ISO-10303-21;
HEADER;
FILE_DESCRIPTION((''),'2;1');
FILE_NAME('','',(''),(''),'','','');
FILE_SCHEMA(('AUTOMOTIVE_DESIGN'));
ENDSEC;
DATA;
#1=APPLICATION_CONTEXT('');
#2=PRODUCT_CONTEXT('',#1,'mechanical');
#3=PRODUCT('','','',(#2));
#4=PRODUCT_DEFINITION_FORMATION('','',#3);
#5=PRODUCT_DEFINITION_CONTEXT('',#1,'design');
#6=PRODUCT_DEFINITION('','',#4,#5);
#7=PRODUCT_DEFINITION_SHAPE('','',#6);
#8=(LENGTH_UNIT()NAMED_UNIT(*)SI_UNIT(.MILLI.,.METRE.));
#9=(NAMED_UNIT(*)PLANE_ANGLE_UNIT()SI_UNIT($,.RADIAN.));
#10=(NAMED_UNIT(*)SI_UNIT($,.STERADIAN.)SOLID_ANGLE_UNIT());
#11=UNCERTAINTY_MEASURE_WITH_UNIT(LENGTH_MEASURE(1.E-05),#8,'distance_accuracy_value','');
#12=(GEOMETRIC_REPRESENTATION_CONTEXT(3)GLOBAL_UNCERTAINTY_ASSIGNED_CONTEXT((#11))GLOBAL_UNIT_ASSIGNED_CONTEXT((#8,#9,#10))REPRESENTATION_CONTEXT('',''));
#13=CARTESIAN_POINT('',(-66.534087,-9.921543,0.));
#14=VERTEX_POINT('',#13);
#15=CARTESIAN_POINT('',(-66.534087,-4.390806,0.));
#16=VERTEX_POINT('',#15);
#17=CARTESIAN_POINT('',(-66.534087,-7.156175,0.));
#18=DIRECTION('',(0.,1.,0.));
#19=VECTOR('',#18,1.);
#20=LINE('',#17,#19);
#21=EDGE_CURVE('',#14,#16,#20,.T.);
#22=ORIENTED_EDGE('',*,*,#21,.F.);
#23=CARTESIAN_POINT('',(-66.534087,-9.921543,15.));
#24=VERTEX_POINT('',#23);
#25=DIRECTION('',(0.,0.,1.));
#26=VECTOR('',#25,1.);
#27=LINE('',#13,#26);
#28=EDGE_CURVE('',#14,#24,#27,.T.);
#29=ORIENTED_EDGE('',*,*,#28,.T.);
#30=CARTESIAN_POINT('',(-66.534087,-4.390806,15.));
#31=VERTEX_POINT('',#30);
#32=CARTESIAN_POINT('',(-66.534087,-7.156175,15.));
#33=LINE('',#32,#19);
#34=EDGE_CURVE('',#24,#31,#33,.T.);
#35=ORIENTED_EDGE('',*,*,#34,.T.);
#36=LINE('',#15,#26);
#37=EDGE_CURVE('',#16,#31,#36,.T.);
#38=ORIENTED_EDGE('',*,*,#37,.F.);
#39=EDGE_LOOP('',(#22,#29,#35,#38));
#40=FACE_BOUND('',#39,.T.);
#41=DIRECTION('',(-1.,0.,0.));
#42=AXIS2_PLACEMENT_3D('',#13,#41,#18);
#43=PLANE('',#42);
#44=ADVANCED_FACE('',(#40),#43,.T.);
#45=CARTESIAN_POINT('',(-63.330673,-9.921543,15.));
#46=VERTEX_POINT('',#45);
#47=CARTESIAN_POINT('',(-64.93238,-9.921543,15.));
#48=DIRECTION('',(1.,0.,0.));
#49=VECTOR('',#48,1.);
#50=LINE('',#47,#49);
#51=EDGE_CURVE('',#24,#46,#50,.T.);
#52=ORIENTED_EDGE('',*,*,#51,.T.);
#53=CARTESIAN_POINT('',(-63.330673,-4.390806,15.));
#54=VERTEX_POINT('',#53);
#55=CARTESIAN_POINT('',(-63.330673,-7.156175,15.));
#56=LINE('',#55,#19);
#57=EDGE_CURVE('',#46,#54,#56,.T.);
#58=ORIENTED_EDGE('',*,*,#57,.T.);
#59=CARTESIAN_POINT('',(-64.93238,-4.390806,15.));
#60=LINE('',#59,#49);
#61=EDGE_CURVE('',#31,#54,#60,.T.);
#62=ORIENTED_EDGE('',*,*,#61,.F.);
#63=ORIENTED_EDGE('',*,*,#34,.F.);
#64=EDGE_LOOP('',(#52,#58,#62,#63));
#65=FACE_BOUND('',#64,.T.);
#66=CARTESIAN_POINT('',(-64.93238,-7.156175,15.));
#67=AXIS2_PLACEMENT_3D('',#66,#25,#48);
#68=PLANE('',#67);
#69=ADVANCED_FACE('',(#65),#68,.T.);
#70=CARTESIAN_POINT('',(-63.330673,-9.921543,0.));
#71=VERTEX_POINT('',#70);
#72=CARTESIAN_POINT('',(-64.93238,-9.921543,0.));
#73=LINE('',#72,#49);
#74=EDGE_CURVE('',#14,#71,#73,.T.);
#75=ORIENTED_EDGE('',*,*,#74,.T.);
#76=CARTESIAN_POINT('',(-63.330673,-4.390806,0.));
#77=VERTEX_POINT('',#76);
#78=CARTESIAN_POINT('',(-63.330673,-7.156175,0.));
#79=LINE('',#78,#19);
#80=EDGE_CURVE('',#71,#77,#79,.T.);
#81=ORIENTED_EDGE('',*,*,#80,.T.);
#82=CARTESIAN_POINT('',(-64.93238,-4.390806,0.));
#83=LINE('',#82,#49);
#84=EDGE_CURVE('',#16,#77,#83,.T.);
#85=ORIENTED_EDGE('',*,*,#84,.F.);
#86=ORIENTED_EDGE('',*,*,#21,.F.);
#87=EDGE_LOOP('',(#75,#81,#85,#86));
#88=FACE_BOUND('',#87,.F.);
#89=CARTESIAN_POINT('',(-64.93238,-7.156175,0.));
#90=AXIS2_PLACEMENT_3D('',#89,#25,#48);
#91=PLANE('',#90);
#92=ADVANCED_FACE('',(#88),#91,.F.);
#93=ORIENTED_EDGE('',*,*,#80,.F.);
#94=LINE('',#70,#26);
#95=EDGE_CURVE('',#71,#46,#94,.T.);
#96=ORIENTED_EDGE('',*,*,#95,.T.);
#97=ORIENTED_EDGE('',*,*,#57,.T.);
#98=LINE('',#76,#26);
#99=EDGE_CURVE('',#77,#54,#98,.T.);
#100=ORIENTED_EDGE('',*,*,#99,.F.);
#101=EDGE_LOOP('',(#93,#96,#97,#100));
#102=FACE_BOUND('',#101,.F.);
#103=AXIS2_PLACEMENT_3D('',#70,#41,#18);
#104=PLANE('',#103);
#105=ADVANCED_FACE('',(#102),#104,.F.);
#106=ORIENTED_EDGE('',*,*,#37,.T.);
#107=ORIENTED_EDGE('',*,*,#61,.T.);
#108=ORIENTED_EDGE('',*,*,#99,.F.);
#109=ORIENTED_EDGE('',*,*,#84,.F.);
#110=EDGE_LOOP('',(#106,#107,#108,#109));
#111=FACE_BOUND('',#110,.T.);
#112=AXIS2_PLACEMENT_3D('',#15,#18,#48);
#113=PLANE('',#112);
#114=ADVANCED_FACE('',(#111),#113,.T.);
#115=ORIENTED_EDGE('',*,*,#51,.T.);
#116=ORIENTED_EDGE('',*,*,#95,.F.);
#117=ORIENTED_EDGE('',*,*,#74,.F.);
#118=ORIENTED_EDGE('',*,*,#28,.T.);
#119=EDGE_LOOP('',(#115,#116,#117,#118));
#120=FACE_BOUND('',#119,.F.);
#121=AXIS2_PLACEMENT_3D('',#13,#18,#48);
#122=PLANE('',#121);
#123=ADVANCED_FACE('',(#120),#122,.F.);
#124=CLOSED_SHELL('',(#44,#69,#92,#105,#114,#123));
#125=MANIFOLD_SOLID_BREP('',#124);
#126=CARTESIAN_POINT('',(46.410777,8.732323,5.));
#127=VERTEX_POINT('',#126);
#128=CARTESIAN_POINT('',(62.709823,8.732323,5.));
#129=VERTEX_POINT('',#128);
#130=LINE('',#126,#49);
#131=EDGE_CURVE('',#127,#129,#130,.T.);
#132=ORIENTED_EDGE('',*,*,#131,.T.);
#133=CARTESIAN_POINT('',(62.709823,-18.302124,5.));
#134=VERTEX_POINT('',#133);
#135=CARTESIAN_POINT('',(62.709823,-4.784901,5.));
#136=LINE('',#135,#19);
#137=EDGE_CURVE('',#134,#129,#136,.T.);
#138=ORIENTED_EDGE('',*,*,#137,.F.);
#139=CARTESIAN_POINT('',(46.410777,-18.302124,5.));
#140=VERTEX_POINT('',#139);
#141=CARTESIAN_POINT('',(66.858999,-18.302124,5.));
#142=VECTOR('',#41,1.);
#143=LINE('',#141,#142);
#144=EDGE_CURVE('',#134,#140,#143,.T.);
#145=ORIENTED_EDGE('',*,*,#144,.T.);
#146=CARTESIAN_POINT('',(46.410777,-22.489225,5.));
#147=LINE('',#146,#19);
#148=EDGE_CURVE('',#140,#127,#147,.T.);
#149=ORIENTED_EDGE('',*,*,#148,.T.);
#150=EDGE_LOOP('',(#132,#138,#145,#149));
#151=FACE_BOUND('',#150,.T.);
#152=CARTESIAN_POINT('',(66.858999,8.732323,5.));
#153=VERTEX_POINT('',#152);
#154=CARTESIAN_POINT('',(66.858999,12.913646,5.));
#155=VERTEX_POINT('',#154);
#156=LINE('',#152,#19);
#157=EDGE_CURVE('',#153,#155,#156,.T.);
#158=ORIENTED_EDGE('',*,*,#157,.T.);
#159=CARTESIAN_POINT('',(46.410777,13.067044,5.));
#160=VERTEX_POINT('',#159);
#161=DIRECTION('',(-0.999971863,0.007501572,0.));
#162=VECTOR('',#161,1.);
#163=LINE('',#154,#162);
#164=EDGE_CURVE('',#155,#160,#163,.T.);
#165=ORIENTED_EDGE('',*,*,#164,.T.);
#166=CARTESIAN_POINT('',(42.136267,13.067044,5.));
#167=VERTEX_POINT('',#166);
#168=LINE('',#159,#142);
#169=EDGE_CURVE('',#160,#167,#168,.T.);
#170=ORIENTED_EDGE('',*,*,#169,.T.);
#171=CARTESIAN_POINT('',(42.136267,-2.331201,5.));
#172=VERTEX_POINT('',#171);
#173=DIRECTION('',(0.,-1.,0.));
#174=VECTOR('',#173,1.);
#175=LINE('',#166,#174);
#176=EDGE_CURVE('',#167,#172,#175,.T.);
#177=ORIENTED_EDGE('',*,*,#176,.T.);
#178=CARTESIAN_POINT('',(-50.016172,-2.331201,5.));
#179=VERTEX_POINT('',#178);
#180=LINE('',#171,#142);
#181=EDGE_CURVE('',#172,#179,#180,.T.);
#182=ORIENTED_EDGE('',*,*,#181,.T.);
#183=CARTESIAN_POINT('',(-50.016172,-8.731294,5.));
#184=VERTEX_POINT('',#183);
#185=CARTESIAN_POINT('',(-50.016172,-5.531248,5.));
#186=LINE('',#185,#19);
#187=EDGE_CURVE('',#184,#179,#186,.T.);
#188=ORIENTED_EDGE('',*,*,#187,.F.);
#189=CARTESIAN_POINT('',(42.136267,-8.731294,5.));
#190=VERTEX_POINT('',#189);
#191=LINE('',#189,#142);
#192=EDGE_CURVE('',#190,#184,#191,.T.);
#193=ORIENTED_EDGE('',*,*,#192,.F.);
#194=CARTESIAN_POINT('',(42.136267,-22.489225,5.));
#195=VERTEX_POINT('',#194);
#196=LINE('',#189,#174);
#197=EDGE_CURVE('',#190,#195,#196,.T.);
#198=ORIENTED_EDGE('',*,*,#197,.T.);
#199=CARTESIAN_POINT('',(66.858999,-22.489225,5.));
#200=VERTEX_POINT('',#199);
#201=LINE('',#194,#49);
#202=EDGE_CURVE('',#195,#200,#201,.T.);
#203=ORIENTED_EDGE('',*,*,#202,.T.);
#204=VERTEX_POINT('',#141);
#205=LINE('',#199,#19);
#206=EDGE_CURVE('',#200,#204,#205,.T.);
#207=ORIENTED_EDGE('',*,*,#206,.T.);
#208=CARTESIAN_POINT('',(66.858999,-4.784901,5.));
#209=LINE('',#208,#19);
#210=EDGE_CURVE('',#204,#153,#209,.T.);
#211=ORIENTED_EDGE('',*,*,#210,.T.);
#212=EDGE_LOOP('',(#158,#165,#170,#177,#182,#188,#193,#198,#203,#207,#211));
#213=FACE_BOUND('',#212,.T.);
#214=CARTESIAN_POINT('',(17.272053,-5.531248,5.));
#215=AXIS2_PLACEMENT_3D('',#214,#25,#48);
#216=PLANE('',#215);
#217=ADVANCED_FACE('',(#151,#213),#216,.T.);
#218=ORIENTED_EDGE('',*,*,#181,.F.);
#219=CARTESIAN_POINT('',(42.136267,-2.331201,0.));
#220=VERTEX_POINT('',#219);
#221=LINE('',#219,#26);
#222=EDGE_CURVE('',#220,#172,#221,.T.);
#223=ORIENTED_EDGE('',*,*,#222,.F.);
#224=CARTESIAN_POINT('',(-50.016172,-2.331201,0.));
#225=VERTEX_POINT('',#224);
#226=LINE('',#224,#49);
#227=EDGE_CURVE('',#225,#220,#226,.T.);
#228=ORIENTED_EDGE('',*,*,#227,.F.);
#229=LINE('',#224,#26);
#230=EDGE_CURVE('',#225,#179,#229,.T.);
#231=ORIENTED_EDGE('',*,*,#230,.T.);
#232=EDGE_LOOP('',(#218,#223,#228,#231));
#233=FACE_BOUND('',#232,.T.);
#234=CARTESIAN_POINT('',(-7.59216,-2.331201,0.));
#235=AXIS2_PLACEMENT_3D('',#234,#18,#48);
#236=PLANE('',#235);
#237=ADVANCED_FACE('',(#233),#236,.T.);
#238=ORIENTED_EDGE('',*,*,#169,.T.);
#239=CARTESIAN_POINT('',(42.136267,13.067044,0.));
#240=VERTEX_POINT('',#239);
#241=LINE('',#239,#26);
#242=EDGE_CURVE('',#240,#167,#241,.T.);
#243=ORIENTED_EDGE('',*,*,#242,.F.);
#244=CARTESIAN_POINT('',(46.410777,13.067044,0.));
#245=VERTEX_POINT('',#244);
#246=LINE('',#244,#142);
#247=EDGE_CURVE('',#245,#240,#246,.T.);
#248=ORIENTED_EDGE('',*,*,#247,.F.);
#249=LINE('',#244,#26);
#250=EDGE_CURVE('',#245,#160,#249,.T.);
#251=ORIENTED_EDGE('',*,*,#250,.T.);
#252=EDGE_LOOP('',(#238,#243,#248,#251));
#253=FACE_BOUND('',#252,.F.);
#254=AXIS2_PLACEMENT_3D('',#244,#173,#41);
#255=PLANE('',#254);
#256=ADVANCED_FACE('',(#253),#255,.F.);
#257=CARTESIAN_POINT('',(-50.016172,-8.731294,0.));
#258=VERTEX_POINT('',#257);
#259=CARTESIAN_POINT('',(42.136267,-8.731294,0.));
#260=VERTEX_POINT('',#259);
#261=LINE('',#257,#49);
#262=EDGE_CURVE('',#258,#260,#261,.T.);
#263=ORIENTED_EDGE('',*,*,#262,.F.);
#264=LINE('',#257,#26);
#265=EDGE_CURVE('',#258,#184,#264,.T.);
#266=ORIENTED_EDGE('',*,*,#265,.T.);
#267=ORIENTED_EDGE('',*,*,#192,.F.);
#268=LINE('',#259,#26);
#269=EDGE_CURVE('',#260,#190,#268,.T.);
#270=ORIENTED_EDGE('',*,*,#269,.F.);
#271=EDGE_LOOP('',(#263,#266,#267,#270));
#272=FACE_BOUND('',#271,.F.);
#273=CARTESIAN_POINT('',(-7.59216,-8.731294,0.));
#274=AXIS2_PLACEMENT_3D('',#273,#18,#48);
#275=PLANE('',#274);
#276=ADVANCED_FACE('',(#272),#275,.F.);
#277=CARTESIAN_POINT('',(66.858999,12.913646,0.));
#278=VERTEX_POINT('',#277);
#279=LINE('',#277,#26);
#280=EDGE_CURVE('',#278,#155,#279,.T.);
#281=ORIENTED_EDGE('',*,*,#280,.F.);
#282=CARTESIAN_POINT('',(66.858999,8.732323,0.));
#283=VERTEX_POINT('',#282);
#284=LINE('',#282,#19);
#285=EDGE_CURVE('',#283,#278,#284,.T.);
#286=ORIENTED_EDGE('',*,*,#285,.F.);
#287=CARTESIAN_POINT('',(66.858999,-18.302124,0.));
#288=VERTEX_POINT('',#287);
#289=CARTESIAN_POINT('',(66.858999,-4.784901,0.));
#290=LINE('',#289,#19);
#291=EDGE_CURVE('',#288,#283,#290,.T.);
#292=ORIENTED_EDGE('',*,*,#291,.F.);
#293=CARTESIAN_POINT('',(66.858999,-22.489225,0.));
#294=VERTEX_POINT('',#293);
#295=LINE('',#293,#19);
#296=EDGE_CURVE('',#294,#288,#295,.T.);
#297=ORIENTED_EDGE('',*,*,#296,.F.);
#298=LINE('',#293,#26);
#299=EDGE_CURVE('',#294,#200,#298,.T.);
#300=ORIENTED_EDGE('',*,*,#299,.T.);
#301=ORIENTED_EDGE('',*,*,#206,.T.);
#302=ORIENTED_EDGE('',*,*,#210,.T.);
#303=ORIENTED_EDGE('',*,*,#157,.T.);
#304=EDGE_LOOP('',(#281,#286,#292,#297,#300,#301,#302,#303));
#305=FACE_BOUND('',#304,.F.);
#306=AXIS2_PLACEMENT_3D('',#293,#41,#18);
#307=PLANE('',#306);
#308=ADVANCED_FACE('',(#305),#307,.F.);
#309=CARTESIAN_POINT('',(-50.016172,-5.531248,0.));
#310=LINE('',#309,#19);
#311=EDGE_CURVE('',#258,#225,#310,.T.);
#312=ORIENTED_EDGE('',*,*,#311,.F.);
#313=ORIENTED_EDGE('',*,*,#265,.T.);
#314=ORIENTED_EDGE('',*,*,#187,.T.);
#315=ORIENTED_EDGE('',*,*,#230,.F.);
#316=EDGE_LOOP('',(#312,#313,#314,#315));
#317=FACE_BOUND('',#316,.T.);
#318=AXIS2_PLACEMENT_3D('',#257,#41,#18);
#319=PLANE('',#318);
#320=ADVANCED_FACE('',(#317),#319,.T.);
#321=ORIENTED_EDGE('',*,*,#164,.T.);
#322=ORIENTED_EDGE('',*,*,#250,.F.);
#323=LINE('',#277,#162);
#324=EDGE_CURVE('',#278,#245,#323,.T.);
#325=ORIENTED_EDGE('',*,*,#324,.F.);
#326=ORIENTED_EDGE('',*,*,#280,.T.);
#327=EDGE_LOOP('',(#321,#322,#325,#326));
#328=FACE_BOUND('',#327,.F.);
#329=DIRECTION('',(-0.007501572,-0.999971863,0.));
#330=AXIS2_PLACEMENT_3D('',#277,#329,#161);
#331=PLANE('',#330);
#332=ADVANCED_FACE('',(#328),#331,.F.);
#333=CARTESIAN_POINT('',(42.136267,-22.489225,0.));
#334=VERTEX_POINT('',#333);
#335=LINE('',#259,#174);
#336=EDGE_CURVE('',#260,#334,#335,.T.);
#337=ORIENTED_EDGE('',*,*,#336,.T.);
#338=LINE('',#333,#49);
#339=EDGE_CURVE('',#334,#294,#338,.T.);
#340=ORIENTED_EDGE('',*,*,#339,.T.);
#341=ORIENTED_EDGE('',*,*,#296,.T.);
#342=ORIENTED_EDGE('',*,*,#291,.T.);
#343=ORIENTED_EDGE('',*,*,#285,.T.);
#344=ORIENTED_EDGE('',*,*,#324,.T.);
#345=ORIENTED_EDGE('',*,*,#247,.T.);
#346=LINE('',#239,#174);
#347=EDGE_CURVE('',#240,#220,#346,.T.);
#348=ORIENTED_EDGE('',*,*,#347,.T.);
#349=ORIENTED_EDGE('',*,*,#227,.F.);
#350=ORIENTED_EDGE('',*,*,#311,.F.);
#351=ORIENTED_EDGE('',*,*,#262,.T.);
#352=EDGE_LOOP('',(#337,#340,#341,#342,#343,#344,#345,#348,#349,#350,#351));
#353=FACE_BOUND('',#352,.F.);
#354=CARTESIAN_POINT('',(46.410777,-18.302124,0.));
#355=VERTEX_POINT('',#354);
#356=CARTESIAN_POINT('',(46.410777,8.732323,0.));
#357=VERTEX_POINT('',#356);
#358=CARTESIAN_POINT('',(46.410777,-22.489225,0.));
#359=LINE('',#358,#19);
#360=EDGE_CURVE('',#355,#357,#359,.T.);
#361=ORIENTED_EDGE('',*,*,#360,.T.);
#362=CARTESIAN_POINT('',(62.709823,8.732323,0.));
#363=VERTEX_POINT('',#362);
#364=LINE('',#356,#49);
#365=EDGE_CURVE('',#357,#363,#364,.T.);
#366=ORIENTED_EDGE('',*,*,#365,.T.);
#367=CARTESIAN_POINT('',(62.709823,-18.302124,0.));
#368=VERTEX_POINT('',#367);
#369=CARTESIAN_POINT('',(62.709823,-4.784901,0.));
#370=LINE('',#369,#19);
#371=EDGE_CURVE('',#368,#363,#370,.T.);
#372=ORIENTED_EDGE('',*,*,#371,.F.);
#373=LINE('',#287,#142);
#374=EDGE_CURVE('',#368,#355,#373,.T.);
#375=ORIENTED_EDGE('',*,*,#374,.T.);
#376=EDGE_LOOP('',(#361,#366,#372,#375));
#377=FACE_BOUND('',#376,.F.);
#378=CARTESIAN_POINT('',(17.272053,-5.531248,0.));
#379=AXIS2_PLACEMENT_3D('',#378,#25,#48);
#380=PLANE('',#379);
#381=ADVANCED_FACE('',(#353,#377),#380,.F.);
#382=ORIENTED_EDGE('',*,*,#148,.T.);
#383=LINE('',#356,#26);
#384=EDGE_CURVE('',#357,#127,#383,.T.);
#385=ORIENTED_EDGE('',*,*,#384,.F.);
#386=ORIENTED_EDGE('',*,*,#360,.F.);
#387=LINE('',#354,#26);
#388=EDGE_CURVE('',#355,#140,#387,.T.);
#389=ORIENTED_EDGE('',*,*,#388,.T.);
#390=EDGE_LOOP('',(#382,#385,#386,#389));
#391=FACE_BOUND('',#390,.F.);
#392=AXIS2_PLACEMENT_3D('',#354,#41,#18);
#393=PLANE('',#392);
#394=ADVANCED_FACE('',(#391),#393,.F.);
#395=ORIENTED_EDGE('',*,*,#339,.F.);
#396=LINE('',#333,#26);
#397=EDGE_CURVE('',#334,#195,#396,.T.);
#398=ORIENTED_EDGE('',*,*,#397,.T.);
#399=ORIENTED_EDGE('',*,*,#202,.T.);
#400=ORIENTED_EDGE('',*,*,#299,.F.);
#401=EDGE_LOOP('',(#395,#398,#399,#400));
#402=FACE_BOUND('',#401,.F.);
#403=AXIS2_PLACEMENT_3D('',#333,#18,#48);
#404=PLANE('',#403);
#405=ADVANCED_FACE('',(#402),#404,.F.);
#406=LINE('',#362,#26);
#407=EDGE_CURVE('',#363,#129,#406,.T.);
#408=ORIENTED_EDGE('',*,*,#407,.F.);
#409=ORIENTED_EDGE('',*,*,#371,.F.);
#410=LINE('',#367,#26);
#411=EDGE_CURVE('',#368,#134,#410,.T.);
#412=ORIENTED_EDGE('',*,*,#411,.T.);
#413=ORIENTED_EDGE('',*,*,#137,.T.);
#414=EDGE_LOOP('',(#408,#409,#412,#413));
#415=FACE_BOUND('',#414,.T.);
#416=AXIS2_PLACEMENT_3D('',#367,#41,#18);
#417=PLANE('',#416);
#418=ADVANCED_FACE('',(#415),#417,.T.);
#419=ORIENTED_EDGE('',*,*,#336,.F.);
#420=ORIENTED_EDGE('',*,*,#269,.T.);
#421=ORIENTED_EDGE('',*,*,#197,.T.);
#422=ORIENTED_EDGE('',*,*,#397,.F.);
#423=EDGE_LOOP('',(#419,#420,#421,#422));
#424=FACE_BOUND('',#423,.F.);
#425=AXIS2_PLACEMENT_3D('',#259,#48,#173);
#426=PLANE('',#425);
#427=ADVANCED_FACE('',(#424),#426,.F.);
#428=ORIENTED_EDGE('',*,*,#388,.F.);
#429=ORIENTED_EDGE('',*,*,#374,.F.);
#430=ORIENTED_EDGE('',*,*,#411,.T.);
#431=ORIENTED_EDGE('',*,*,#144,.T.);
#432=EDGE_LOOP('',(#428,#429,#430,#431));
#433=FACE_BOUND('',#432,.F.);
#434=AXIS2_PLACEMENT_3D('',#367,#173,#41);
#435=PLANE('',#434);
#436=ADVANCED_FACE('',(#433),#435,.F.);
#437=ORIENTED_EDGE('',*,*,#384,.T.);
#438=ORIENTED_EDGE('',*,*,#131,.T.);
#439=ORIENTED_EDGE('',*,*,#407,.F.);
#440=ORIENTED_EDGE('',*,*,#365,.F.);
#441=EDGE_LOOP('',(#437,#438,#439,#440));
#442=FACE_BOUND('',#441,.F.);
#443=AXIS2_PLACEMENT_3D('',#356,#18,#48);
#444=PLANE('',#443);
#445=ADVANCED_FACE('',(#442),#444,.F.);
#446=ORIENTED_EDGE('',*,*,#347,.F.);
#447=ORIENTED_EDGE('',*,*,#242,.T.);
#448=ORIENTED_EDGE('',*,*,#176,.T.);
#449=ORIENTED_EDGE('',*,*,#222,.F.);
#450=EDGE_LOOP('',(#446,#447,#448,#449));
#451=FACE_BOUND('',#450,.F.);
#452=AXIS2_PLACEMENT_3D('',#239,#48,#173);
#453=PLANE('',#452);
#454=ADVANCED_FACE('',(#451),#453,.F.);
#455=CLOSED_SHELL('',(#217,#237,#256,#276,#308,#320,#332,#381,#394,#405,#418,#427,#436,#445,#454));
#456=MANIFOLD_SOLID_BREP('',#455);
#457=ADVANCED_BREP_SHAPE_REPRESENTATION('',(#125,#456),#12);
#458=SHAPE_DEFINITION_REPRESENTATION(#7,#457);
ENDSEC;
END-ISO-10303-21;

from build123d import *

# Parameters (mm, degrees)
F0_W     = 49.7284270823
F0_H     = 6.4000934362
F1_DEPTH = 5
F0_W_2   = 42.4240119755
F0_W_3   = 4.1491761804
F0_H_2   = 27.0344465971
F2_DEPTH = 5
F3_W     = 3.2034143806
F3_H     = 5.5307373405
F4_DEPTH = 15


with BuildPart() as f1:
    # F0 (on Top) → F1 (new body)
    with BuildSketch(Plane.XY):
        with Locations((17.2720532864, -5.5312477052)):
            Rectangle(F0_W, F0_H)
    extrude(amount=F1_DEPTH)

    # F0 (on Top) → F2 (join)
    with BuildSketch(Plane.XY):
        with Locations((17.2720532864, -5.5312477052)):
            Rectangle(F0_W, F0_H)
        with Locations((-28.8041662425, -5.5312477052)):
            Rectangle(F0_W_2, F0_H)
        Polygon((42.1362668276, 13.0670443177), (42.1362668276, -2.3312009871), (42.1362668276, -8.7312944233), (42.1362668276, -22.4892254919), (46.4107766747, -22.4892254919), (46.4107766747, -18.3021239936), (46.4107766747, 8.7323226035), (46.4107766747, 13.0670443177), align=None)
        Polygon((66.8589994311, 12.9136461765), (46.4107766747, 13.0670443177), (46.4107766747, 8.7323226035), (62.7098232508, 8.7323226035), (66.8589994311, 8.7323226035), align=None)
        Polygon((46.4107766747, -18.3021239936), (46.4107766747, -22.4892254919), (66.8589994311, -22.4892254919), (66.8589994311, -18.3021239936), (62.7098232508, -18.3021239936), align=None)
        with Locations((64.784411341, -4.7849006951)):
            Rectangle(F0_W_3, F0_H_2)
    extrude(amount=F2_DEPTH)


with BuildPart() as f4:
    # F3 (on face) → F4 (new body)
    with BuildSketch(Plane.XY):
        with Locations((-64.9323798716, -7.1561746299)):
            Rectangle(F3_W, F3_H)
    extrude(amount=F4_DEPTH)


solid = Compound([f1.part, f4.part])
